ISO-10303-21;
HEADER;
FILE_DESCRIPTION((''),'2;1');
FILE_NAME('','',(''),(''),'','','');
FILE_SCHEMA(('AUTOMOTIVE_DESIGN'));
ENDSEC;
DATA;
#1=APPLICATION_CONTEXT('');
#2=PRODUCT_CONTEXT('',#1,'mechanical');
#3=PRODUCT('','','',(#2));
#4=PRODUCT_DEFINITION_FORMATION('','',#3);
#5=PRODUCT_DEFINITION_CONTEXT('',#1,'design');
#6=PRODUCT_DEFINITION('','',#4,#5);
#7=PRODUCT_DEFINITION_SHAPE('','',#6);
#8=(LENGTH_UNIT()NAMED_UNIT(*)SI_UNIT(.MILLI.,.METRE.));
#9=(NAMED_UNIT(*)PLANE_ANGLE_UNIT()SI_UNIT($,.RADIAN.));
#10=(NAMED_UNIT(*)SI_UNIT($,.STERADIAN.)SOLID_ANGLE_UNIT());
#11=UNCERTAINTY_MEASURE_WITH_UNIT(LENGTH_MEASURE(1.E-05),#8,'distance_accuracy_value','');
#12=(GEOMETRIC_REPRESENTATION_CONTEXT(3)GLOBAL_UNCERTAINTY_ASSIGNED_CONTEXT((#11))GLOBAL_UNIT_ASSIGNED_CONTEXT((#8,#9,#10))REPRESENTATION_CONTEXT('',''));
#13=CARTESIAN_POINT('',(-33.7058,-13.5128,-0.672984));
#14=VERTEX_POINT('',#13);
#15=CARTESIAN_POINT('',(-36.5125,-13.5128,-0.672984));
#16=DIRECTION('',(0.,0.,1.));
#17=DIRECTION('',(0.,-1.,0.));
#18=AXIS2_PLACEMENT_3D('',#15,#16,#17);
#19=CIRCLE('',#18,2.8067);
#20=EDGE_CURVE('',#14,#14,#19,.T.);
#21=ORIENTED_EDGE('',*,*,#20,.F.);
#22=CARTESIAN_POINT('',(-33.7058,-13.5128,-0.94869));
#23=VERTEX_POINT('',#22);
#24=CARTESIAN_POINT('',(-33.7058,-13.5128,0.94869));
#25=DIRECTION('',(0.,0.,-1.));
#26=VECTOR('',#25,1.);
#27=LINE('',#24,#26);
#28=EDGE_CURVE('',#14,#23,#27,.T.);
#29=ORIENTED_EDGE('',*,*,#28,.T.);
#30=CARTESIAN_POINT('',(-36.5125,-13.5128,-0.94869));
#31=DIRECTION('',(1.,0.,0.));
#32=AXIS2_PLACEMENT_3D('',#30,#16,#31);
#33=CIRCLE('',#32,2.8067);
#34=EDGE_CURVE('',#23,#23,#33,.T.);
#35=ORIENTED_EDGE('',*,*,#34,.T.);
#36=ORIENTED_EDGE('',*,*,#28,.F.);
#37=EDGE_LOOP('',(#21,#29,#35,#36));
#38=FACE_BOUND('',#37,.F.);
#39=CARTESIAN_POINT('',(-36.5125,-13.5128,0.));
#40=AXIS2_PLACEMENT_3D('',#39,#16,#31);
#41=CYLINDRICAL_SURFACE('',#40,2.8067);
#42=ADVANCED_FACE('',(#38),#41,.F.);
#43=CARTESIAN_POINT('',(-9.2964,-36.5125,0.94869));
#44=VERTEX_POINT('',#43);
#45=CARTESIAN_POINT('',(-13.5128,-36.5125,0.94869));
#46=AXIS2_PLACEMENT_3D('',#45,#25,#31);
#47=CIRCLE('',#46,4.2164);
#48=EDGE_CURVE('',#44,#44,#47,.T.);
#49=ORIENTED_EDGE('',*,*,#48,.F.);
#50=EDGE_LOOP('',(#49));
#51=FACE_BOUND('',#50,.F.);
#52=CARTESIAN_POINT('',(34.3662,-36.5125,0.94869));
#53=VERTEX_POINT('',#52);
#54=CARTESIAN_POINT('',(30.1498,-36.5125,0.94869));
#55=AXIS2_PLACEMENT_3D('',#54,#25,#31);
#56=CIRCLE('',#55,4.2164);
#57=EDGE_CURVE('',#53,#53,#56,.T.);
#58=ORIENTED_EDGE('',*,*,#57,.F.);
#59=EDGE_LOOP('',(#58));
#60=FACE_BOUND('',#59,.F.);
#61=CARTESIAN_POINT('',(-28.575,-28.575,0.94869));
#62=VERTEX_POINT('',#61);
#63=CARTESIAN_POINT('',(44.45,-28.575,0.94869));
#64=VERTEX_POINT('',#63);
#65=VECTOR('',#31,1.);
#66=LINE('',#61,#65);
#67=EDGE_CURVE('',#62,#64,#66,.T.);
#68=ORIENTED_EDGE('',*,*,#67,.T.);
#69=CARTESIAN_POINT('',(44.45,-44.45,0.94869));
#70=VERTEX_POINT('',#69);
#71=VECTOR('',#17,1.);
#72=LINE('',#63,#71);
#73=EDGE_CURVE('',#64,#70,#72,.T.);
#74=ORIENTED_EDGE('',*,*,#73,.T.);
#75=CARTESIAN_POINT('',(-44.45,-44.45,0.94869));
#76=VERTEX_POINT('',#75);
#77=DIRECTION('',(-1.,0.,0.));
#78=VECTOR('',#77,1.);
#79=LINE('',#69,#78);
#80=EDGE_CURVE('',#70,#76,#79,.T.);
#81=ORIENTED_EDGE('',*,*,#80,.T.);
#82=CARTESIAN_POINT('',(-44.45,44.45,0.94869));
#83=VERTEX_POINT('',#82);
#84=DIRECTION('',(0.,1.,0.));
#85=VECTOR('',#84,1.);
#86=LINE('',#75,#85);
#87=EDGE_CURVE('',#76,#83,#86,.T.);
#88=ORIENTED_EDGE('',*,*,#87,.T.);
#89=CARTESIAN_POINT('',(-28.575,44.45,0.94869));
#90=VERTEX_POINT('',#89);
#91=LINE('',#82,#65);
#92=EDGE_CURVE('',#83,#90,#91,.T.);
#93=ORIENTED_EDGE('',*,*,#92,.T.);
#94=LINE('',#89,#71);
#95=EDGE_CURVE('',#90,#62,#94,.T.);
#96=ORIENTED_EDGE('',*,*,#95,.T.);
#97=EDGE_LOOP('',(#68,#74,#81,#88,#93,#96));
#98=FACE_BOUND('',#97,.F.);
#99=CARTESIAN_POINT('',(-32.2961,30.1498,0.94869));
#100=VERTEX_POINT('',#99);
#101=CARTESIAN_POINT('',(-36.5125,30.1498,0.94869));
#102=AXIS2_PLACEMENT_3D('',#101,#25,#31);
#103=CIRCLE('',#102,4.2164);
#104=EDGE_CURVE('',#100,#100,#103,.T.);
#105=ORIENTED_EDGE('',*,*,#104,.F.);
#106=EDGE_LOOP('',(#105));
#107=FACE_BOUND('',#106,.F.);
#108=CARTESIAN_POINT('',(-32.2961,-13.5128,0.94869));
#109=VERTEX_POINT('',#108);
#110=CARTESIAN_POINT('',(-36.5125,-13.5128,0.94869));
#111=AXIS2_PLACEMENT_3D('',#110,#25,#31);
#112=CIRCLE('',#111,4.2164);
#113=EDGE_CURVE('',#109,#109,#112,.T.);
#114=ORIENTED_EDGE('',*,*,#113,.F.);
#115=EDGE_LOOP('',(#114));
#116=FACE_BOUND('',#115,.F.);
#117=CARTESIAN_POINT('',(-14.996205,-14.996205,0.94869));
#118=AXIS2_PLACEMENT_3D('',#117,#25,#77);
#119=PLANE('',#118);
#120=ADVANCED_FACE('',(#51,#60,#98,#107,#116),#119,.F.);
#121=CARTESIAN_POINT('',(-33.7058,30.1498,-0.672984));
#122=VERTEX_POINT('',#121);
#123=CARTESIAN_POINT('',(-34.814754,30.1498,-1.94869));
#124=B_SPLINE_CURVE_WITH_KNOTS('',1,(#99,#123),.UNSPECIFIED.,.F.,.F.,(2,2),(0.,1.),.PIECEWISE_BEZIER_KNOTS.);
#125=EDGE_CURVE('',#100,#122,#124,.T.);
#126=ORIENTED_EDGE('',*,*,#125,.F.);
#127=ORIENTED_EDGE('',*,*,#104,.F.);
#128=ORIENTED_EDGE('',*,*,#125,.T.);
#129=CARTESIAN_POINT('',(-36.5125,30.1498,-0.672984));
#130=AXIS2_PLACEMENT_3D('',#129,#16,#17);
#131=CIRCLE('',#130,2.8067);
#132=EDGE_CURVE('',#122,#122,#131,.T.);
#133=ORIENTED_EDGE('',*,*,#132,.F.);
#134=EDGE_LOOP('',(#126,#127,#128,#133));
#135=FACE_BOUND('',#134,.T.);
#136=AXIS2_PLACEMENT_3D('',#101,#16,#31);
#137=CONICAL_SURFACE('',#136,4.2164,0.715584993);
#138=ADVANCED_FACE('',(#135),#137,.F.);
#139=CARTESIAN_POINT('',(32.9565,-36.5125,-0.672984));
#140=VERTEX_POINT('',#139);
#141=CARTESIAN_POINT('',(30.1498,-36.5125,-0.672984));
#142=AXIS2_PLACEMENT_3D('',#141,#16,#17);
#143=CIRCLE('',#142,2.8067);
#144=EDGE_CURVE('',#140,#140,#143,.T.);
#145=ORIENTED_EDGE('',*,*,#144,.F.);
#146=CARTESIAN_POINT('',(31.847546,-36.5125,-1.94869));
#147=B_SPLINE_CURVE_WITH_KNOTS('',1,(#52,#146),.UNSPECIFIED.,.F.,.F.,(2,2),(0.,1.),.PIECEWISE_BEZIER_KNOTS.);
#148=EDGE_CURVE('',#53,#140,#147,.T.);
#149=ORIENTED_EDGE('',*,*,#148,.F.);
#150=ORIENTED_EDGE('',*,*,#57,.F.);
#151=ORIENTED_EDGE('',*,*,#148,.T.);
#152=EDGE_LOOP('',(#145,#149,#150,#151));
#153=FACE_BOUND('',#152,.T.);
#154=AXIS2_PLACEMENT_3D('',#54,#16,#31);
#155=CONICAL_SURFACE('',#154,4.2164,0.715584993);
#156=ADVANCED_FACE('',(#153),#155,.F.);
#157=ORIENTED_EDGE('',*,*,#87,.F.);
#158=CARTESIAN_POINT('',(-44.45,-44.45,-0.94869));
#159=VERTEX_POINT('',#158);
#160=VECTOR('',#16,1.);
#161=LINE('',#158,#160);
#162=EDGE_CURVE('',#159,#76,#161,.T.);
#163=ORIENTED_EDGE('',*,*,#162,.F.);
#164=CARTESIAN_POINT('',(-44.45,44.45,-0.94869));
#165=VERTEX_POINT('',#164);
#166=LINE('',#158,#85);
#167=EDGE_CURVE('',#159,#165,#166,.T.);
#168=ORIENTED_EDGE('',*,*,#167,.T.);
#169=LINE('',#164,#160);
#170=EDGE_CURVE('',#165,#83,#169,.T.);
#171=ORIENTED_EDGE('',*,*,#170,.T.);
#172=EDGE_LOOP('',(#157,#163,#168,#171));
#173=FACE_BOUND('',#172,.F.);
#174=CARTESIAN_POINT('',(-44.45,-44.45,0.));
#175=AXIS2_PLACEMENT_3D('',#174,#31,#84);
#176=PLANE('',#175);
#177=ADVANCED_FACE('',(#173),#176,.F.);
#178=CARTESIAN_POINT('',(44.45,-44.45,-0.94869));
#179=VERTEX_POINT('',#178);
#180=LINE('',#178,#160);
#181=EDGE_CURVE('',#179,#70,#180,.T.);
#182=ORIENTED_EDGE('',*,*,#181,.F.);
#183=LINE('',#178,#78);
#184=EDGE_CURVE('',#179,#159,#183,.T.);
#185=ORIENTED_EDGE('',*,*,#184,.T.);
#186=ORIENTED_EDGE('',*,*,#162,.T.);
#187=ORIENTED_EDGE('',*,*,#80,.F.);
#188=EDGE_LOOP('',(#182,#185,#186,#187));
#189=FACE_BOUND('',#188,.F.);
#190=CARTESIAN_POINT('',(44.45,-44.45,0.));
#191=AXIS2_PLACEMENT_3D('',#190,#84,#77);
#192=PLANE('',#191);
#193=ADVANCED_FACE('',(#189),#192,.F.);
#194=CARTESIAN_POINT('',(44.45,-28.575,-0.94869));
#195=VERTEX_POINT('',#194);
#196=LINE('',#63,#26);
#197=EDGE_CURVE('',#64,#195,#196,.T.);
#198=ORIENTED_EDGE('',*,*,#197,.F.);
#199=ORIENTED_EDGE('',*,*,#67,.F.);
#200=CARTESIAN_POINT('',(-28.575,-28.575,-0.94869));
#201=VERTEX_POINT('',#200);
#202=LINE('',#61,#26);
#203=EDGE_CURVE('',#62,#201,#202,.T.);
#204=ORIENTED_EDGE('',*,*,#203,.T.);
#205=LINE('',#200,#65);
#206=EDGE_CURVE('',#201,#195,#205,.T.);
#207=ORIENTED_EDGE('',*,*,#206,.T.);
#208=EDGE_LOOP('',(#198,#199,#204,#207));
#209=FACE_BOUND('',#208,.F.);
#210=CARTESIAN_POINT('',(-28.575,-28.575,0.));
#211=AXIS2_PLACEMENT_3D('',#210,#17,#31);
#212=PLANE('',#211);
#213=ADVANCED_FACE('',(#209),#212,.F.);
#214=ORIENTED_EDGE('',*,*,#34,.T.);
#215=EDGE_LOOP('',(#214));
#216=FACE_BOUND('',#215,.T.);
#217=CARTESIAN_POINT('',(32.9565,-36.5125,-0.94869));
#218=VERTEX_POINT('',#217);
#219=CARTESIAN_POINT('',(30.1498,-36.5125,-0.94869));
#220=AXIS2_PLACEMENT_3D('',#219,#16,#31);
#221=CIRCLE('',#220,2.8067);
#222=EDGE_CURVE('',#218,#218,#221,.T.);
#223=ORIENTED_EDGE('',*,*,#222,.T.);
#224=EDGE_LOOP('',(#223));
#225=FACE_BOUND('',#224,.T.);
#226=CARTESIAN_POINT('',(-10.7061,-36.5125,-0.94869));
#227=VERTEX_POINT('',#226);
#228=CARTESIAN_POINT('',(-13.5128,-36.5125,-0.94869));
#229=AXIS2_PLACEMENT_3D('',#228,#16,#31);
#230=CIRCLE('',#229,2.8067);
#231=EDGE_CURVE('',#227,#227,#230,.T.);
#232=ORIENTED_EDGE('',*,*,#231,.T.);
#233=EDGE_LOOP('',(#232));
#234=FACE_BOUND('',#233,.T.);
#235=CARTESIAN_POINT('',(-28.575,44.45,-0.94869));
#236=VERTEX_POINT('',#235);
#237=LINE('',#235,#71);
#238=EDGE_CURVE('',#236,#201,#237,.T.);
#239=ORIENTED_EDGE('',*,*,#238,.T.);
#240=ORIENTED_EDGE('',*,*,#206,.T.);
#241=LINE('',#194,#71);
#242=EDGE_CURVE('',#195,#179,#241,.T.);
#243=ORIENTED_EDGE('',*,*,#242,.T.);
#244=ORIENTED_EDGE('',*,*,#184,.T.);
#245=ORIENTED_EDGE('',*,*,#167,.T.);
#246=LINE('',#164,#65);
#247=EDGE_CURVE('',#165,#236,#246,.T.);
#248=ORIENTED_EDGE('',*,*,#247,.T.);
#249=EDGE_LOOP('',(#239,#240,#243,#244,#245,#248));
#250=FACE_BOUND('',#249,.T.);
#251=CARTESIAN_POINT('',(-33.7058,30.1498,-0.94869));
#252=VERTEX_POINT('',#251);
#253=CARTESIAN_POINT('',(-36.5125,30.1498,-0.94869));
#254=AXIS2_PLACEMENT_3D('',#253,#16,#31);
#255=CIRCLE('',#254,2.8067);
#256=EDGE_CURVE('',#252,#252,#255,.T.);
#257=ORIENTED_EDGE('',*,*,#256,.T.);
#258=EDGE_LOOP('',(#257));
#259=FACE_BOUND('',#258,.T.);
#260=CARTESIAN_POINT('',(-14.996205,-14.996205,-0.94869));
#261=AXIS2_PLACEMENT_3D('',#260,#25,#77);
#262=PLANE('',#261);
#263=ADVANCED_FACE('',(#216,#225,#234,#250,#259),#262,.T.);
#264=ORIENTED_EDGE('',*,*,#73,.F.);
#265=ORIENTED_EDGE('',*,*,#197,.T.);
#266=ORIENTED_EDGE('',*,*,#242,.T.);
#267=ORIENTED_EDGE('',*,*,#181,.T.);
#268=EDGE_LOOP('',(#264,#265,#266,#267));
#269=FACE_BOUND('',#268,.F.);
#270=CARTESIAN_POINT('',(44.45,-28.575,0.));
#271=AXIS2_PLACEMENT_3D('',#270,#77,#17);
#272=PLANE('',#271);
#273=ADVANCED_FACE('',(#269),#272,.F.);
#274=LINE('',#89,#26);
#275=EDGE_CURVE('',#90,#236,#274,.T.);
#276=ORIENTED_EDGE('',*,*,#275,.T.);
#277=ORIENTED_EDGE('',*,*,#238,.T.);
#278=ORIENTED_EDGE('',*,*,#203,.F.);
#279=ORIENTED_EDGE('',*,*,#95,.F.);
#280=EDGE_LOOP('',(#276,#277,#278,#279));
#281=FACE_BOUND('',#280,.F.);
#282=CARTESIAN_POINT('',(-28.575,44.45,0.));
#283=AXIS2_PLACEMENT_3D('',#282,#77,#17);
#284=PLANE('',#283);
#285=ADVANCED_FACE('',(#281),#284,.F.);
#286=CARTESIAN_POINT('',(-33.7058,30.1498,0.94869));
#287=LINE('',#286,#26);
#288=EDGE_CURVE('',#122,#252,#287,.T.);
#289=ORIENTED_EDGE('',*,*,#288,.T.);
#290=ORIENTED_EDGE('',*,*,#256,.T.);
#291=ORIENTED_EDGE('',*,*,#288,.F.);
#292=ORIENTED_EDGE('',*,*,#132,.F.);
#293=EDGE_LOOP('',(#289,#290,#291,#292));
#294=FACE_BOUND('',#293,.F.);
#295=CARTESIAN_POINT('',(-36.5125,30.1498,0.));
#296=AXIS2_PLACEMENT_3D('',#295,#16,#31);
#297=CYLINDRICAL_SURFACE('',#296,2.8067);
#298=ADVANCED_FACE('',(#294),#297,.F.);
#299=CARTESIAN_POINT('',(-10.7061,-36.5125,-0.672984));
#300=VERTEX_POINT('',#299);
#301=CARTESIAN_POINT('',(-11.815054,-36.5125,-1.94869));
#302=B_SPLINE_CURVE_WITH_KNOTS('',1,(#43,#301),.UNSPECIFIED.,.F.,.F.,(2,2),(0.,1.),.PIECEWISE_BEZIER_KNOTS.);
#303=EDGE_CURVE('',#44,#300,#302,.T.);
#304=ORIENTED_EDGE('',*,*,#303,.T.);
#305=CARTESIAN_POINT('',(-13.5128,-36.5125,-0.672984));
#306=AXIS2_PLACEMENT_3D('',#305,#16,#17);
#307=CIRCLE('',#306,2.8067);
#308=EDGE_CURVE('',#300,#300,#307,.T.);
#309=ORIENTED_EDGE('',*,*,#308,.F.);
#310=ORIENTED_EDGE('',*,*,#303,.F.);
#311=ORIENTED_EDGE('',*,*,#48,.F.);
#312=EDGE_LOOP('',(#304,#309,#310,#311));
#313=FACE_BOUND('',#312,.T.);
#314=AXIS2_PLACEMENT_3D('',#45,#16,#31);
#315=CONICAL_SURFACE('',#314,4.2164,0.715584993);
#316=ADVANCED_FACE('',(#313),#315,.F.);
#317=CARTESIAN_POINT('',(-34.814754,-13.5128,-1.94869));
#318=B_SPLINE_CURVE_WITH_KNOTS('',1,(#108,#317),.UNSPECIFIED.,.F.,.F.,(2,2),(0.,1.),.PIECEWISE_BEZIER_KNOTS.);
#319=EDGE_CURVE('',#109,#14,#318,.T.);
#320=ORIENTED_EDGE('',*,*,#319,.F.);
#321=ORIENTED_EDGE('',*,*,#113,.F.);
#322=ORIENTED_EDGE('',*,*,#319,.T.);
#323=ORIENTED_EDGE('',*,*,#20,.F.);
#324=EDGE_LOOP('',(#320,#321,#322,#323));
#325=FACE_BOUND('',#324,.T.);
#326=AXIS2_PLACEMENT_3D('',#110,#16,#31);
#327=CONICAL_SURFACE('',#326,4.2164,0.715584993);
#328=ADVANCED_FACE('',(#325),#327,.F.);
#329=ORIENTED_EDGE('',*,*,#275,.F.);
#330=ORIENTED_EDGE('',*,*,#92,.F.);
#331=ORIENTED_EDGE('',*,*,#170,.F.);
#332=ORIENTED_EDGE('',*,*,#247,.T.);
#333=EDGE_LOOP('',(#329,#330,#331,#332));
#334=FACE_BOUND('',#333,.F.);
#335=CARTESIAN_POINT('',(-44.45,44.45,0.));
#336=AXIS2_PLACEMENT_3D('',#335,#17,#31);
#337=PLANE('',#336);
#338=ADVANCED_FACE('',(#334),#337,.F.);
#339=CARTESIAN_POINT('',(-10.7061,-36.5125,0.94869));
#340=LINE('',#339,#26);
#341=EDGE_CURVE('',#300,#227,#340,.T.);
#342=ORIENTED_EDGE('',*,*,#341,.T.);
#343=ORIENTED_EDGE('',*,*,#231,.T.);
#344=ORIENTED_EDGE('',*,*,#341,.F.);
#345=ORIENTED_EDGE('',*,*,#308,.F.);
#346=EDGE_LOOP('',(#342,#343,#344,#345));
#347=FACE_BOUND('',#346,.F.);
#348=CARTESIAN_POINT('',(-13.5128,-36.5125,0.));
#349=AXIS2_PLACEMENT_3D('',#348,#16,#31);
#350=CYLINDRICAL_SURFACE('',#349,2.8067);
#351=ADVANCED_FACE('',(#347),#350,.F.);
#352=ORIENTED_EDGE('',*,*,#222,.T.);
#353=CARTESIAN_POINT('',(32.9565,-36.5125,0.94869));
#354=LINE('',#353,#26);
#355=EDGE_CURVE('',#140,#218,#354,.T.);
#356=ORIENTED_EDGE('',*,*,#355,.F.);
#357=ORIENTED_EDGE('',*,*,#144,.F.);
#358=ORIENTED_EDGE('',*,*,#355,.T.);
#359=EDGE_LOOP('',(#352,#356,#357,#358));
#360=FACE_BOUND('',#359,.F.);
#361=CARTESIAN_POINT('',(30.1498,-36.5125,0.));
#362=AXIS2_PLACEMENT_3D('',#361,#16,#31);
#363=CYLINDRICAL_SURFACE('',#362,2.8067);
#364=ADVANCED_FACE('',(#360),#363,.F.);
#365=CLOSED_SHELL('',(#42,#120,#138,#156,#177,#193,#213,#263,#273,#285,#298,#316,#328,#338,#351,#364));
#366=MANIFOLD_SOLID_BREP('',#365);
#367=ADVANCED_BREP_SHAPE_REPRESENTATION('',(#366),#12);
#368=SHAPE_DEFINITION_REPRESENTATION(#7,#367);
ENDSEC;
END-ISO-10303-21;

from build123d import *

# Parameters (mm, degrees)
BOSS_EXTRUDE1_DEPTH      = 0.94869
BOSS_EXTRUDE1_DEPTH_BACK = 0.94869
SKETCH4_R                = 2.8067
CUT_EXTRUDE1_DEPTH       = 1.94869
CUT_EXTRUDE1_DEPTH_BACK  = 1.94869
SKETCH5_R                = 4.2164
CUT_EXTRUDE2_DEPTH       = 2.89738
CUT_EXTRUDE2_TAPER       = 41


with BuildPart() as part:
    # Sketch3 → Boss-Extrude1 (new body, two sides)
    with BuildSketch(Plane.XY) as boss_extrude1_sk:
        Polygon((-44.45, 44.45), (-28.575, 44.45), (-28.575, -28.575), (44.45, -28.575), (44.45, -44.45), (-44.45, -44.45), align=None)
    extrude(amount=BOSS_EXTRUDE1_DEPTH)
    extrude(boss_extrude1_sk.sketch, amount=-BOSS_EXTRUDE1_DEPTH_BACK)

    # Sketch4 → Cut-Extrude1 (cut, two sides)
    with BuildSketch(Plane.XY) as cut_extrude1_sk:
        with Locations((-36.5125, 30.1498)):
            Circle(SKETCH4_R)
        with Locations((-36.5125, -13.5128)):
            Circle(SKETCH4_R)
        with Locations((-13.5128, -36.5125)):
            Circle(SKETCH4_R)
        with Locations((30.1498, -36.5125)):
            Circle(SKETCH4_R)
    extrude(amount=CUT_EXTRUDE1_DEPTH, mode=Mode.SUBTRACT)
    extrude(cut_extrude1_sk.sketch, amount=-CUT_EXTRUDE1_DEPTH_BACK, mode=Mode.SUBTRACT)

    # Sketch5 → Cut-Extrude2 (cut, through all)
    with BuildSketch(Plane.XY.offset(0.94869)):
        with Locations((-36.5125, 30.1498)):
            Circle(SKETCH5_R)
        with Locations((-36.5125, -13.5128)):
            Circle(SKETCH5_R)
        with Locations((-13.5128, -36.5125)):
            Circle(SKETCH5_R)
        with Locations((30.1498, -36.5125)):
            Circle(SKETCH5_R)
    extrude(amount=-CUT_EXTRUDE2_DEPTH, taper=CUT_EXTRUDE2_TAPER, mode=Mode.SUBTRACT)


solid = part.part
